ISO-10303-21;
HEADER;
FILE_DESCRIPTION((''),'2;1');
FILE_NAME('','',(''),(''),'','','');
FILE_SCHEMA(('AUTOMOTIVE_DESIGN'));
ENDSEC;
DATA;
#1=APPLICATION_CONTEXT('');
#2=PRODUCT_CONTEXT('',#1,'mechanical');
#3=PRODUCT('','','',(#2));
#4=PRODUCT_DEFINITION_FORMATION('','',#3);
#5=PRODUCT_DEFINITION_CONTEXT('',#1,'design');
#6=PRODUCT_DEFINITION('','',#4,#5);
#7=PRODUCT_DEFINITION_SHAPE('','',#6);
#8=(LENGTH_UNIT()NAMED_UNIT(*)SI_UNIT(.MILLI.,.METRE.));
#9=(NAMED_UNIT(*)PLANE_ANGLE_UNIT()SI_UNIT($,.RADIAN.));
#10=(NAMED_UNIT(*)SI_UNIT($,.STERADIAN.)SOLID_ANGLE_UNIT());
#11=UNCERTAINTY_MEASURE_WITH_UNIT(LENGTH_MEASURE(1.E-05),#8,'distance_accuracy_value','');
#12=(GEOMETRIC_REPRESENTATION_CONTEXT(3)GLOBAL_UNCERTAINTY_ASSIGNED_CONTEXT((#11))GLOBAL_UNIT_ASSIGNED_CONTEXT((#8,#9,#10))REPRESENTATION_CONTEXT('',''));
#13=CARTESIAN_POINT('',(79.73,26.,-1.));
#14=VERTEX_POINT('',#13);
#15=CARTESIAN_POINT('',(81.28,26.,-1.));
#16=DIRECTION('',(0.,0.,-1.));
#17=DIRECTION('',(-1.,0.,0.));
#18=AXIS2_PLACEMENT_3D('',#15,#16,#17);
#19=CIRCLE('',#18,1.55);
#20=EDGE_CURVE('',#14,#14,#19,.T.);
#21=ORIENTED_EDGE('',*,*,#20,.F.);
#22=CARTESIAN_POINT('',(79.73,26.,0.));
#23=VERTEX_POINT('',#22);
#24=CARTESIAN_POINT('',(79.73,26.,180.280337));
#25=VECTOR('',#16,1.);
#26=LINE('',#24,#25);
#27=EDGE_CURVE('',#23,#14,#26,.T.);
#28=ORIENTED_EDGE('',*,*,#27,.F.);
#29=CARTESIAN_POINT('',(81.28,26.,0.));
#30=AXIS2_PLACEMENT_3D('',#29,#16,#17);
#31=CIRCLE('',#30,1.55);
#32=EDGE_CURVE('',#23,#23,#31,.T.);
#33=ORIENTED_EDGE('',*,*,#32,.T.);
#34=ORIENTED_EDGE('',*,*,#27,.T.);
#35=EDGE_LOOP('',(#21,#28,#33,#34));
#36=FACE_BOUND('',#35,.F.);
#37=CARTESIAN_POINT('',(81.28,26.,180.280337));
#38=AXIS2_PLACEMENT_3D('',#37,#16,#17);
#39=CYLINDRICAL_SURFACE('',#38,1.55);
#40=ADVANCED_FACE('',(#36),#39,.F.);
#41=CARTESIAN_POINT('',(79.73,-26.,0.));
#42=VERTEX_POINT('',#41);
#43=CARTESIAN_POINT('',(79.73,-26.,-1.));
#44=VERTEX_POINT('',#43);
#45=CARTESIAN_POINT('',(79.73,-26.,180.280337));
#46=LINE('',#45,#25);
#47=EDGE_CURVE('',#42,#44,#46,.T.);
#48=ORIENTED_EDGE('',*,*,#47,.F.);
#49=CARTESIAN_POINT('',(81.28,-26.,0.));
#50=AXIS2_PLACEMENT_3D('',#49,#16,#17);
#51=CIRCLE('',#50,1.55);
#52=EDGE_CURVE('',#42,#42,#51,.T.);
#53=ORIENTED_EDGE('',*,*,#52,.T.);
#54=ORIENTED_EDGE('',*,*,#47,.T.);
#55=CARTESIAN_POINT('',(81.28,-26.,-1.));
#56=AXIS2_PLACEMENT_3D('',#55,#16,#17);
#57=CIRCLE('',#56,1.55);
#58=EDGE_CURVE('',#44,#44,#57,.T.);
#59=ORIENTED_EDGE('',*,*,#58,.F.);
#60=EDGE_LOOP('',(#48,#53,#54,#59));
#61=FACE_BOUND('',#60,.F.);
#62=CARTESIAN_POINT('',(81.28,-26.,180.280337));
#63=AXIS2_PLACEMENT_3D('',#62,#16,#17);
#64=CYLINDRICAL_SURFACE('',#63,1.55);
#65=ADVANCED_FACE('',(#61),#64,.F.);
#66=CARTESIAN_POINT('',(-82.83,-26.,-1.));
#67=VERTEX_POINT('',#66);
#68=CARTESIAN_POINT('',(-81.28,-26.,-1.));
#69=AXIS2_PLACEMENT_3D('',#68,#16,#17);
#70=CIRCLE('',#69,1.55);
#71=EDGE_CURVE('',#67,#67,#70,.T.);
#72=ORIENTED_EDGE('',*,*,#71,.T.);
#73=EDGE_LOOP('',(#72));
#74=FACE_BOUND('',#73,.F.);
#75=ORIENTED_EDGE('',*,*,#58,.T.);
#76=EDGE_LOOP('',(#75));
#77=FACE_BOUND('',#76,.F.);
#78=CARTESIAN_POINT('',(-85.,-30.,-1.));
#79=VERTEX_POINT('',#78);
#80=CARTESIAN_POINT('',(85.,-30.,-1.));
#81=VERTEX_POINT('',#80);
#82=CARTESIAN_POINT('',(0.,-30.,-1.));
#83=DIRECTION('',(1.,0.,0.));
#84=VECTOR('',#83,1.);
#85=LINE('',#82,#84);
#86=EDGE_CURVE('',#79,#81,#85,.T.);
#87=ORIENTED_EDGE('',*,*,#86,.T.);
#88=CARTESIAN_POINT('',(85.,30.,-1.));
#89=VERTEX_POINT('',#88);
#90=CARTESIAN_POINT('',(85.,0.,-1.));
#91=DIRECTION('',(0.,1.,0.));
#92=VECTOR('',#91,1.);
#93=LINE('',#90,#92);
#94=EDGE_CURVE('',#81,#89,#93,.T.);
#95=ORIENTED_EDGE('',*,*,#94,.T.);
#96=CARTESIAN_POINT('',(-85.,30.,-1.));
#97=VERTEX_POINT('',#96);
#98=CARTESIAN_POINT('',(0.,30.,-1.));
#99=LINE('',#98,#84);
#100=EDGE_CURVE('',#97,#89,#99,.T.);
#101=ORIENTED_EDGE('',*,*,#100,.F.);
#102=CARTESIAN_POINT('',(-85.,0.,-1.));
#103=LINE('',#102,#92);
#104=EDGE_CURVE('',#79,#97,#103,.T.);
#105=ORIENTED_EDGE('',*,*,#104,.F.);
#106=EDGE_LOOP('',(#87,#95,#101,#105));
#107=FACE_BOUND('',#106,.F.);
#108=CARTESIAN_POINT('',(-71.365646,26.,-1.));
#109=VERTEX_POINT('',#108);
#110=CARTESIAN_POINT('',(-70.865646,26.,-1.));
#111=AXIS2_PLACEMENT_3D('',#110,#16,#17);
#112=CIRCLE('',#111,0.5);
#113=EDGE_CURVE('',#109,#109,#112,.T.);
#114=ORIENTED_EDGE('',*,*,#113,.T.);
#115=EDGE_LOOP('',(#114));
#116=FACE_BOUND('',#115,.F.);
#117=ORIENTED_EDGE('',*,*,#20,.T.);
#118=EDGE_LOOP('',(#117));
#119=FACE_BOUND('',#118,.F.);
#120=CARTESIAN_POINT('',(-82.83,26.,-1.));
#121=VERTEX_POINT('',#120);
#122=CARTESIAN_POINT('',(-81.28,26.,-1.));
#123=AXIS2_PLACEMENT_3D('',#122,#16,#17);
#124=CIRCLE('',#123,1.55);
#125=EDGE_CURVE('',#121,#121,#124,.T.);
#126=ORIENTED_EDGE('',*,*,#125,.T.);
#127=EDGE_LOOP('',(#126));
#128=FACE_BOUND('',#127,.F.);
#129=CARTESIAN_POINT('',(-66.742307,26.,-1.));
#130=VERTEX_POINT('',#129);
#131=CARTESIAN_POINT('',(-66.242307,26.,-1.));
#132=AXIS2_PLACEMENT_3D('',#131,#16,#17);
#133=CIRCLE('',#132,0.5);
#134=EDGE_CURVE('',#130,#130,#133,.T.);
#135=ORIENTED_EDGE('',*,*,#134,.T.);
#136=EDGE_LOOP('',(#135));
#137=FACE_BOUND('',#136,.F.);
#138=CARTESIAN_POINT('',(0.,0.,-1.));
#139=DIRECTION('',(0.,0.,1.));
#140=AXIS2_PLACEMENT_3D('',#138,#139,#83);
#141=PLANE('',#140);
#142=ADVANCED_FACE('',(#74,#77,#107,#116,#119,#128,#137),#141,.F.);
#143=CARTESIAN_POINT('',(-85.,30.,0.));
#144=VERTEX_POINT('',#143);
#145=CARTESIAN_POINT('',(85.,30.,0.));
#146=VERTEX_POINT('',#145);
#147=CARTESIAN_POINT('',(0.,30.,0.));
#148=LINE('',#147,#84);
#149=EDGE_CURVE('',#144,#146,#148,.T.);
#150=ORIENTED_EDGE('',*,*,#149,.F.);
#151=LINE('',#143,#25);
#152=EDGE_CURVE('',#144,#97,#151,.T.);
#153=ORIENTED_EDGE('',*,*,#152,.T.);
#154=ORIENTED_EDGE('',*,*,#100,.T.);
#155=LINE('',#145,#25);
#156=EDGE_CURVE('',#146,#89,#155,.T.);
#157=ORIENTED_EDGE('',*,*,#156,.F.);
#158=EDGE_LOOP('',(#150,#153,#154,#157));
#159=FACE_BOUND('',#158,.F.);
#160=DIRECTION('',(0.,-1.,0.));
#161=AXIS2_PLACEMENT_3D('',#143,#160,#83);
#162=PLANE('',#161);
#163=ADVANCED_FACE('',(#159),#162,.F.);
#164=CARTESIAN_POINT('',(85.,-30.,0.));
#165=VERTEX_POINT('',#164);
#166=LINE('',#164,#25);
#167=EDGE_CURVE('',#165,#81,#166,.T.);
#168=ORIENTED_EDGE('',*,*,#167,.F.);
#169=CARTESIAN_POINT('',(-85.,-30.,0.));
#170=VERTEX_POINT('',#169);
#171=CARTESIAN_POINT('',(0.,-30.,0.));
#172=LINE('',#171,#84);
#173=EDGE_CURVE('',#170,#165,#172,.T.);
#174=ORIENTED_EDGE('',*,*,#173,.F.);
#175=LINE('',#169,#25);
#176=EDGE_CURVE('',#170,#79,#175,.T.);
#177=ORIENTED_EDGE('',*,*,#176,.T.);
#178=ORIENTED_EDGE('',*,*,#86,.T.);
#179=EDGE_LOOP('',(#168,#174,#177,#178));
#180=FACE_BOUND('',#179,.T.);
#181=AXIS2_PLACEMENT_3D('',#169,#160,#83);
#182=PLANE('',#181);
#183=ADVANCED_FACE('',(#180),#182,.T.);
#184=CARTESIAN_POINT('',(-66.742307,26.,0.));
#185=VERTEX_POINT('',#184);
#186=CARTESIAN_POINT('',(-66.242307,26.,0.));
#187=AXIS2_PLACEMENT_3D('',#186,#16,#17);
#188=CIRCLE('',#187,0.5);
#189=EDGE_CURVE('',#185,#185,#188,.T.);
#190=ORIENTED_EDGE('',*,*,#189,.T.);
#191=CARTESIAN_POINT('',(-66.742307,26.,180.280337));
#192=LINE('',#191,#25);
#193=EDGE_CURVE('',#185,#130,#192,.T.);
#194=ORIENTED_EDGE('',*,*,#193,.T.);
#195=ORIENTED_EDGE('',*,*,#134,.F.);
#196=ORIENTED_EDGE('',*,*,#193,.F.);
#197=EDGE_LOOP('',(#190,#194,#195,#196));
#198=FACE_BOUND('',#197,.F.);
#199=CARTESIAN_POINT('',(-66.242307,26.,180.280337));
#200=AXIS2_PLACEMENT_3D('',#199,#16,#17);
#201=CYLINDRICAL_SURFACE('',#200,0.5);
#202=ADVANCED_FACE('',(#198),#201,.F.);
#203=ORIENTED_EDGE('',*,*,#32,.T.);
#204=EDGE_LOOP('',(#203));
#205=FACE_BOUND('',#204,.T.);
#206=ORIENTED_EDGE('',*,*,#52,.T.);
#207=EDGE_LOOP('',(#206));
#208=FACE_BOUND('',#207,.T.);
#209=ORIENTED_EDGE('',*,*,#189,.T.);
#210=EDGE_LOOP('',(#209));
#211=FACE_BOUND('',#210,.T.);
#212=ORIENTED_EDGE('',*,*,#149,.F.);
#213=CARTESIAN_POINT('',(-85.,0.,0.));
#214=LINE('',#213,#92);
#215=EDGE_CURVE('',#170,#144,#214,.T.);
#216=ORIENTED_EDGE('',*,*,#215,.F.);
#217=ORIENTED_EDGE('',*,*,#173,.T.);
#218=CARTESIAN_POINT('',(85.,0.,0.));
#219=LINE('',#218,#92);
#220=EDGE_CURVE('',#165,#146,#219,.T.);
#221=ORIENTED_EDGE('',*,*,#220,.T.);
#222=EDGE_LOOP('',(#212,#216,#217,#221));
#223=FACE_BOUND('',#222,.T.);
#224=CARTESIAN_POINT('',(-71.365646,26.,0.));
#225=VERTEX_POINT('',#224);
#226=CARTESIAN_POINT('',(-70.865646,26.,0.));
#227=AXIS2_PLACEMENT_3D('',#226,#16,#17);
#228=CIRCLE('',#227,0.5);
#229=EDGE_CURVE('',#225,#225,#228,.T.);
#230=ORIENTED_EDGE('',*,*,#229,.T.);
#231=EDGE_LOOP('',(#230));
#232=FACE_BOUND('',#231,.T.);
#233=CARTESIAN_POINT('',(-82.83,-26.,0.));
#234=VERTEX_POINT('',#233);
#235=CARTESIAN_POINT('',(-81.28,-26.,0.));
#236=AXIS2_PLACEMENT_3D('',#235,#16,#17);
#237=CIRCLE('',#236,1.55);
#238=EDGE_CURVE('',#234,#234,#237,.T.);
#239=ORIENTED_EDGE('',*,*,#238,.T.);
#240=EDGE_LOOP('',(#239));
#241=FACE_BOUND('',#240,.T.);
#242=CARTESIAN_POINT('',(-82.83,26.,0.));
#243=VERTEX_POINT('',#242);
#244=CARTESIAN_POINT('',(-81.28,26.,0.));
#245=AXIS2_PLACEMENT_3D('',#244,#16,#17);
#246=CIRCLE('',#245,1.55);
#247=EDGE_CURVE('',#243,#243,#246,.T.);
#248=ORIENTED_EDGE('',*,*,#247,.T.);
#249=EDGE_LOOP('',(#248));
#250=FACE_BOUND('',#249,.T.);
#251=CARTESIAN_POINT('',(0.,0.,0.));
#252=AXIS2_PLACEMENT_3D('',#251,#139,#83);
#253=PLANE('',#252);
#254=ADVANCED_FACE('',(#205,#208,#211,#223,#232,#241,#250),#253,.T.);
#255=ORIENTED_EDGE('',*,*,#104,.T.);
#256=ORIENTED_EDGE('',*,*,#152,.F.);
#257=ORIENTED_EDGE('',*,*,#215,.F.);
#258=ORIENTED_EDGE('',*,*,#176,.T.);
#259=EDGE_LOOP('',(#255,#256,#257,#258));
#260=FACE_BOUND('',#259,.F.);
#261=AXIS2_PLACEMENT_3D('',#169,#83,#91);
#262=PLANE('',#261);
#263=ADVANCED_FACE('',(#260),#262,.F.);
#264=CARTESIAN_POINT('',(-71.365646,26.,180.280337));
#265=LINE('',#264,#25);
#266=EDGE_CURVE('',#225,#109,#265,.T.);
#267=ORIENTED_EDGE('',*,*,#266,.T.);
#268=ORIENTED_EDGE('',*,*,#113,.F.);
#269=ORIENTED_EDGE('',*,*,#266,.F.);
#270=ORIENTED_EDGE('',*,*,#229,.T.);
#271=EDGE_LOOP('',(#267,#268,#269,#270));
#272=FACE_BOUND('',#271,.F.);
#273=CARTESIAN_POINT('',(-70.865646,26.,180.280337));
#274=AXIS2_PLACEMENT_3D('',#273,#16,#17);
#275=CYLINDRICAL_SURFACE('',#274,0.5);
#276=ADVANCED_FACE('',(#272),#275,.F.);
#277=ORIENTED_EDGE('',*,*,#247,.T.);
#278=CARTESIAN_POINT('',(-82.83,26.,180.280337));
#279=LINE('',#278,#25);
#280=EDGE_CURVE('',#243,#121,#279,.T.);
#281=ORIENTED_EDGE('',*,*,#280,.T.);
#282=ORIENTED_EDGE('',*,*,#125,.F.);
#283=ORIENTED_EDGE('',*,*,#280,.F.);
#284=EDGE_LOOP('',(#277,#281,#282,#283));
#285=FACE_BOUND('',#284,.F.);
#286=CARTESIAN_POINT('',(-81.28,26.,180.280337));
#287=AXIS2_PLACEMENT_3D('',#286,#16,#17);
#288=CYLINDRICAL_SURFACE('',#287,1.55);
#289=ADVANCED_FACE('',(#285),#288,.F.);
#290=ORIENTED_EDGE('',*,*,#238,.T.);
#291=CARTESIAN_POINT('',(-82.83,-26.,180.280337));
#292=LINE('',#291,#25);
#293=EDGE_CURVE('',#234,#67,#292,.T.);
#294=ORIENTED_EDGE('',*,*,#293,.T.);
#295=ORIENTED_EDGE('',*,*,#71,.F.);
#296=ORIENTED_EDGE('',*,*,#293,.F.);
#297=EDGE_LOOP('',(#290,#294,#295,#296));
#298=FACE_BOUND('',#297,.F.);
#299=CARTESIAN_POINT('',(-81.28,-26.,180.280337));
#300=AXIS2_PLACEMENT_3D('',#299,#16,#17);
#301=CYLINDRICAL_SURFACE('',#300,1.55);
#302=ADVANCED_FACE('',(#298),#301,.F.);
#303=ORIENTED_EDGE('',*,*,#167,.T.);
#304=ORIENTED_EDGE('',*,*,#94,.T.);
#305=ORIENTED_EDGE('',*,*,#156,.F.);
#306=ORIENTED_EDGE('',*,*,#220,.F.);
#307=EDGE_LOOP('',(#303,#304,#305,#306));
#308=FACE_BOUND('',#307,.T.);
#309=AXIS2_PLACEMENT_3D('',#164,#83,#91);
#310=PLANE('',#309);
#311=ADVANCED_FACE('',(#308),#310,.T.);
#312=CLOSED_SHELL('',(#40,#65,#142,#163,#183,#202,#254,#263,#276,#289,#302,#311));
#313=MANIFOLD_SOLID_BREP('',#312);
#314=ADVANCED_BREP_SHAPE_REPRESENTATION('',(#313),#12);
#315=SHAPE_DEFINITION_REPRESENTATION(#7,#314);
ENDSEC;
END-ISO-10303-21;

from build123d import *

# Parameters (mm, degrees)
F0_W     = 170
F0_H     = 60
F1_DEPTH = 1
F2_D     = 3.1
F3_D     = 1


with BuildPart() as f1:
    # F0 (on Top) → F1 (new body)
    with BuildSketch(Plane.XY):
        Rectangle(F0_W, F0_H)
    extrude(amount=-F1_DEPTH)

    # F2 (through all)
    with Locations(Plane.XY):
        with Locations((-81.28, 26), (-81.28, -26), (81.28, 26), (81.28, -26)):
            Hole(F2_D / 2)

    # F3 (through all)
    with Locations(Plane.XY):
        with Locations((-70.865646, 26), (-66.242307, 26)):
            Hole(F3_D / 2)


solid = f1.part
